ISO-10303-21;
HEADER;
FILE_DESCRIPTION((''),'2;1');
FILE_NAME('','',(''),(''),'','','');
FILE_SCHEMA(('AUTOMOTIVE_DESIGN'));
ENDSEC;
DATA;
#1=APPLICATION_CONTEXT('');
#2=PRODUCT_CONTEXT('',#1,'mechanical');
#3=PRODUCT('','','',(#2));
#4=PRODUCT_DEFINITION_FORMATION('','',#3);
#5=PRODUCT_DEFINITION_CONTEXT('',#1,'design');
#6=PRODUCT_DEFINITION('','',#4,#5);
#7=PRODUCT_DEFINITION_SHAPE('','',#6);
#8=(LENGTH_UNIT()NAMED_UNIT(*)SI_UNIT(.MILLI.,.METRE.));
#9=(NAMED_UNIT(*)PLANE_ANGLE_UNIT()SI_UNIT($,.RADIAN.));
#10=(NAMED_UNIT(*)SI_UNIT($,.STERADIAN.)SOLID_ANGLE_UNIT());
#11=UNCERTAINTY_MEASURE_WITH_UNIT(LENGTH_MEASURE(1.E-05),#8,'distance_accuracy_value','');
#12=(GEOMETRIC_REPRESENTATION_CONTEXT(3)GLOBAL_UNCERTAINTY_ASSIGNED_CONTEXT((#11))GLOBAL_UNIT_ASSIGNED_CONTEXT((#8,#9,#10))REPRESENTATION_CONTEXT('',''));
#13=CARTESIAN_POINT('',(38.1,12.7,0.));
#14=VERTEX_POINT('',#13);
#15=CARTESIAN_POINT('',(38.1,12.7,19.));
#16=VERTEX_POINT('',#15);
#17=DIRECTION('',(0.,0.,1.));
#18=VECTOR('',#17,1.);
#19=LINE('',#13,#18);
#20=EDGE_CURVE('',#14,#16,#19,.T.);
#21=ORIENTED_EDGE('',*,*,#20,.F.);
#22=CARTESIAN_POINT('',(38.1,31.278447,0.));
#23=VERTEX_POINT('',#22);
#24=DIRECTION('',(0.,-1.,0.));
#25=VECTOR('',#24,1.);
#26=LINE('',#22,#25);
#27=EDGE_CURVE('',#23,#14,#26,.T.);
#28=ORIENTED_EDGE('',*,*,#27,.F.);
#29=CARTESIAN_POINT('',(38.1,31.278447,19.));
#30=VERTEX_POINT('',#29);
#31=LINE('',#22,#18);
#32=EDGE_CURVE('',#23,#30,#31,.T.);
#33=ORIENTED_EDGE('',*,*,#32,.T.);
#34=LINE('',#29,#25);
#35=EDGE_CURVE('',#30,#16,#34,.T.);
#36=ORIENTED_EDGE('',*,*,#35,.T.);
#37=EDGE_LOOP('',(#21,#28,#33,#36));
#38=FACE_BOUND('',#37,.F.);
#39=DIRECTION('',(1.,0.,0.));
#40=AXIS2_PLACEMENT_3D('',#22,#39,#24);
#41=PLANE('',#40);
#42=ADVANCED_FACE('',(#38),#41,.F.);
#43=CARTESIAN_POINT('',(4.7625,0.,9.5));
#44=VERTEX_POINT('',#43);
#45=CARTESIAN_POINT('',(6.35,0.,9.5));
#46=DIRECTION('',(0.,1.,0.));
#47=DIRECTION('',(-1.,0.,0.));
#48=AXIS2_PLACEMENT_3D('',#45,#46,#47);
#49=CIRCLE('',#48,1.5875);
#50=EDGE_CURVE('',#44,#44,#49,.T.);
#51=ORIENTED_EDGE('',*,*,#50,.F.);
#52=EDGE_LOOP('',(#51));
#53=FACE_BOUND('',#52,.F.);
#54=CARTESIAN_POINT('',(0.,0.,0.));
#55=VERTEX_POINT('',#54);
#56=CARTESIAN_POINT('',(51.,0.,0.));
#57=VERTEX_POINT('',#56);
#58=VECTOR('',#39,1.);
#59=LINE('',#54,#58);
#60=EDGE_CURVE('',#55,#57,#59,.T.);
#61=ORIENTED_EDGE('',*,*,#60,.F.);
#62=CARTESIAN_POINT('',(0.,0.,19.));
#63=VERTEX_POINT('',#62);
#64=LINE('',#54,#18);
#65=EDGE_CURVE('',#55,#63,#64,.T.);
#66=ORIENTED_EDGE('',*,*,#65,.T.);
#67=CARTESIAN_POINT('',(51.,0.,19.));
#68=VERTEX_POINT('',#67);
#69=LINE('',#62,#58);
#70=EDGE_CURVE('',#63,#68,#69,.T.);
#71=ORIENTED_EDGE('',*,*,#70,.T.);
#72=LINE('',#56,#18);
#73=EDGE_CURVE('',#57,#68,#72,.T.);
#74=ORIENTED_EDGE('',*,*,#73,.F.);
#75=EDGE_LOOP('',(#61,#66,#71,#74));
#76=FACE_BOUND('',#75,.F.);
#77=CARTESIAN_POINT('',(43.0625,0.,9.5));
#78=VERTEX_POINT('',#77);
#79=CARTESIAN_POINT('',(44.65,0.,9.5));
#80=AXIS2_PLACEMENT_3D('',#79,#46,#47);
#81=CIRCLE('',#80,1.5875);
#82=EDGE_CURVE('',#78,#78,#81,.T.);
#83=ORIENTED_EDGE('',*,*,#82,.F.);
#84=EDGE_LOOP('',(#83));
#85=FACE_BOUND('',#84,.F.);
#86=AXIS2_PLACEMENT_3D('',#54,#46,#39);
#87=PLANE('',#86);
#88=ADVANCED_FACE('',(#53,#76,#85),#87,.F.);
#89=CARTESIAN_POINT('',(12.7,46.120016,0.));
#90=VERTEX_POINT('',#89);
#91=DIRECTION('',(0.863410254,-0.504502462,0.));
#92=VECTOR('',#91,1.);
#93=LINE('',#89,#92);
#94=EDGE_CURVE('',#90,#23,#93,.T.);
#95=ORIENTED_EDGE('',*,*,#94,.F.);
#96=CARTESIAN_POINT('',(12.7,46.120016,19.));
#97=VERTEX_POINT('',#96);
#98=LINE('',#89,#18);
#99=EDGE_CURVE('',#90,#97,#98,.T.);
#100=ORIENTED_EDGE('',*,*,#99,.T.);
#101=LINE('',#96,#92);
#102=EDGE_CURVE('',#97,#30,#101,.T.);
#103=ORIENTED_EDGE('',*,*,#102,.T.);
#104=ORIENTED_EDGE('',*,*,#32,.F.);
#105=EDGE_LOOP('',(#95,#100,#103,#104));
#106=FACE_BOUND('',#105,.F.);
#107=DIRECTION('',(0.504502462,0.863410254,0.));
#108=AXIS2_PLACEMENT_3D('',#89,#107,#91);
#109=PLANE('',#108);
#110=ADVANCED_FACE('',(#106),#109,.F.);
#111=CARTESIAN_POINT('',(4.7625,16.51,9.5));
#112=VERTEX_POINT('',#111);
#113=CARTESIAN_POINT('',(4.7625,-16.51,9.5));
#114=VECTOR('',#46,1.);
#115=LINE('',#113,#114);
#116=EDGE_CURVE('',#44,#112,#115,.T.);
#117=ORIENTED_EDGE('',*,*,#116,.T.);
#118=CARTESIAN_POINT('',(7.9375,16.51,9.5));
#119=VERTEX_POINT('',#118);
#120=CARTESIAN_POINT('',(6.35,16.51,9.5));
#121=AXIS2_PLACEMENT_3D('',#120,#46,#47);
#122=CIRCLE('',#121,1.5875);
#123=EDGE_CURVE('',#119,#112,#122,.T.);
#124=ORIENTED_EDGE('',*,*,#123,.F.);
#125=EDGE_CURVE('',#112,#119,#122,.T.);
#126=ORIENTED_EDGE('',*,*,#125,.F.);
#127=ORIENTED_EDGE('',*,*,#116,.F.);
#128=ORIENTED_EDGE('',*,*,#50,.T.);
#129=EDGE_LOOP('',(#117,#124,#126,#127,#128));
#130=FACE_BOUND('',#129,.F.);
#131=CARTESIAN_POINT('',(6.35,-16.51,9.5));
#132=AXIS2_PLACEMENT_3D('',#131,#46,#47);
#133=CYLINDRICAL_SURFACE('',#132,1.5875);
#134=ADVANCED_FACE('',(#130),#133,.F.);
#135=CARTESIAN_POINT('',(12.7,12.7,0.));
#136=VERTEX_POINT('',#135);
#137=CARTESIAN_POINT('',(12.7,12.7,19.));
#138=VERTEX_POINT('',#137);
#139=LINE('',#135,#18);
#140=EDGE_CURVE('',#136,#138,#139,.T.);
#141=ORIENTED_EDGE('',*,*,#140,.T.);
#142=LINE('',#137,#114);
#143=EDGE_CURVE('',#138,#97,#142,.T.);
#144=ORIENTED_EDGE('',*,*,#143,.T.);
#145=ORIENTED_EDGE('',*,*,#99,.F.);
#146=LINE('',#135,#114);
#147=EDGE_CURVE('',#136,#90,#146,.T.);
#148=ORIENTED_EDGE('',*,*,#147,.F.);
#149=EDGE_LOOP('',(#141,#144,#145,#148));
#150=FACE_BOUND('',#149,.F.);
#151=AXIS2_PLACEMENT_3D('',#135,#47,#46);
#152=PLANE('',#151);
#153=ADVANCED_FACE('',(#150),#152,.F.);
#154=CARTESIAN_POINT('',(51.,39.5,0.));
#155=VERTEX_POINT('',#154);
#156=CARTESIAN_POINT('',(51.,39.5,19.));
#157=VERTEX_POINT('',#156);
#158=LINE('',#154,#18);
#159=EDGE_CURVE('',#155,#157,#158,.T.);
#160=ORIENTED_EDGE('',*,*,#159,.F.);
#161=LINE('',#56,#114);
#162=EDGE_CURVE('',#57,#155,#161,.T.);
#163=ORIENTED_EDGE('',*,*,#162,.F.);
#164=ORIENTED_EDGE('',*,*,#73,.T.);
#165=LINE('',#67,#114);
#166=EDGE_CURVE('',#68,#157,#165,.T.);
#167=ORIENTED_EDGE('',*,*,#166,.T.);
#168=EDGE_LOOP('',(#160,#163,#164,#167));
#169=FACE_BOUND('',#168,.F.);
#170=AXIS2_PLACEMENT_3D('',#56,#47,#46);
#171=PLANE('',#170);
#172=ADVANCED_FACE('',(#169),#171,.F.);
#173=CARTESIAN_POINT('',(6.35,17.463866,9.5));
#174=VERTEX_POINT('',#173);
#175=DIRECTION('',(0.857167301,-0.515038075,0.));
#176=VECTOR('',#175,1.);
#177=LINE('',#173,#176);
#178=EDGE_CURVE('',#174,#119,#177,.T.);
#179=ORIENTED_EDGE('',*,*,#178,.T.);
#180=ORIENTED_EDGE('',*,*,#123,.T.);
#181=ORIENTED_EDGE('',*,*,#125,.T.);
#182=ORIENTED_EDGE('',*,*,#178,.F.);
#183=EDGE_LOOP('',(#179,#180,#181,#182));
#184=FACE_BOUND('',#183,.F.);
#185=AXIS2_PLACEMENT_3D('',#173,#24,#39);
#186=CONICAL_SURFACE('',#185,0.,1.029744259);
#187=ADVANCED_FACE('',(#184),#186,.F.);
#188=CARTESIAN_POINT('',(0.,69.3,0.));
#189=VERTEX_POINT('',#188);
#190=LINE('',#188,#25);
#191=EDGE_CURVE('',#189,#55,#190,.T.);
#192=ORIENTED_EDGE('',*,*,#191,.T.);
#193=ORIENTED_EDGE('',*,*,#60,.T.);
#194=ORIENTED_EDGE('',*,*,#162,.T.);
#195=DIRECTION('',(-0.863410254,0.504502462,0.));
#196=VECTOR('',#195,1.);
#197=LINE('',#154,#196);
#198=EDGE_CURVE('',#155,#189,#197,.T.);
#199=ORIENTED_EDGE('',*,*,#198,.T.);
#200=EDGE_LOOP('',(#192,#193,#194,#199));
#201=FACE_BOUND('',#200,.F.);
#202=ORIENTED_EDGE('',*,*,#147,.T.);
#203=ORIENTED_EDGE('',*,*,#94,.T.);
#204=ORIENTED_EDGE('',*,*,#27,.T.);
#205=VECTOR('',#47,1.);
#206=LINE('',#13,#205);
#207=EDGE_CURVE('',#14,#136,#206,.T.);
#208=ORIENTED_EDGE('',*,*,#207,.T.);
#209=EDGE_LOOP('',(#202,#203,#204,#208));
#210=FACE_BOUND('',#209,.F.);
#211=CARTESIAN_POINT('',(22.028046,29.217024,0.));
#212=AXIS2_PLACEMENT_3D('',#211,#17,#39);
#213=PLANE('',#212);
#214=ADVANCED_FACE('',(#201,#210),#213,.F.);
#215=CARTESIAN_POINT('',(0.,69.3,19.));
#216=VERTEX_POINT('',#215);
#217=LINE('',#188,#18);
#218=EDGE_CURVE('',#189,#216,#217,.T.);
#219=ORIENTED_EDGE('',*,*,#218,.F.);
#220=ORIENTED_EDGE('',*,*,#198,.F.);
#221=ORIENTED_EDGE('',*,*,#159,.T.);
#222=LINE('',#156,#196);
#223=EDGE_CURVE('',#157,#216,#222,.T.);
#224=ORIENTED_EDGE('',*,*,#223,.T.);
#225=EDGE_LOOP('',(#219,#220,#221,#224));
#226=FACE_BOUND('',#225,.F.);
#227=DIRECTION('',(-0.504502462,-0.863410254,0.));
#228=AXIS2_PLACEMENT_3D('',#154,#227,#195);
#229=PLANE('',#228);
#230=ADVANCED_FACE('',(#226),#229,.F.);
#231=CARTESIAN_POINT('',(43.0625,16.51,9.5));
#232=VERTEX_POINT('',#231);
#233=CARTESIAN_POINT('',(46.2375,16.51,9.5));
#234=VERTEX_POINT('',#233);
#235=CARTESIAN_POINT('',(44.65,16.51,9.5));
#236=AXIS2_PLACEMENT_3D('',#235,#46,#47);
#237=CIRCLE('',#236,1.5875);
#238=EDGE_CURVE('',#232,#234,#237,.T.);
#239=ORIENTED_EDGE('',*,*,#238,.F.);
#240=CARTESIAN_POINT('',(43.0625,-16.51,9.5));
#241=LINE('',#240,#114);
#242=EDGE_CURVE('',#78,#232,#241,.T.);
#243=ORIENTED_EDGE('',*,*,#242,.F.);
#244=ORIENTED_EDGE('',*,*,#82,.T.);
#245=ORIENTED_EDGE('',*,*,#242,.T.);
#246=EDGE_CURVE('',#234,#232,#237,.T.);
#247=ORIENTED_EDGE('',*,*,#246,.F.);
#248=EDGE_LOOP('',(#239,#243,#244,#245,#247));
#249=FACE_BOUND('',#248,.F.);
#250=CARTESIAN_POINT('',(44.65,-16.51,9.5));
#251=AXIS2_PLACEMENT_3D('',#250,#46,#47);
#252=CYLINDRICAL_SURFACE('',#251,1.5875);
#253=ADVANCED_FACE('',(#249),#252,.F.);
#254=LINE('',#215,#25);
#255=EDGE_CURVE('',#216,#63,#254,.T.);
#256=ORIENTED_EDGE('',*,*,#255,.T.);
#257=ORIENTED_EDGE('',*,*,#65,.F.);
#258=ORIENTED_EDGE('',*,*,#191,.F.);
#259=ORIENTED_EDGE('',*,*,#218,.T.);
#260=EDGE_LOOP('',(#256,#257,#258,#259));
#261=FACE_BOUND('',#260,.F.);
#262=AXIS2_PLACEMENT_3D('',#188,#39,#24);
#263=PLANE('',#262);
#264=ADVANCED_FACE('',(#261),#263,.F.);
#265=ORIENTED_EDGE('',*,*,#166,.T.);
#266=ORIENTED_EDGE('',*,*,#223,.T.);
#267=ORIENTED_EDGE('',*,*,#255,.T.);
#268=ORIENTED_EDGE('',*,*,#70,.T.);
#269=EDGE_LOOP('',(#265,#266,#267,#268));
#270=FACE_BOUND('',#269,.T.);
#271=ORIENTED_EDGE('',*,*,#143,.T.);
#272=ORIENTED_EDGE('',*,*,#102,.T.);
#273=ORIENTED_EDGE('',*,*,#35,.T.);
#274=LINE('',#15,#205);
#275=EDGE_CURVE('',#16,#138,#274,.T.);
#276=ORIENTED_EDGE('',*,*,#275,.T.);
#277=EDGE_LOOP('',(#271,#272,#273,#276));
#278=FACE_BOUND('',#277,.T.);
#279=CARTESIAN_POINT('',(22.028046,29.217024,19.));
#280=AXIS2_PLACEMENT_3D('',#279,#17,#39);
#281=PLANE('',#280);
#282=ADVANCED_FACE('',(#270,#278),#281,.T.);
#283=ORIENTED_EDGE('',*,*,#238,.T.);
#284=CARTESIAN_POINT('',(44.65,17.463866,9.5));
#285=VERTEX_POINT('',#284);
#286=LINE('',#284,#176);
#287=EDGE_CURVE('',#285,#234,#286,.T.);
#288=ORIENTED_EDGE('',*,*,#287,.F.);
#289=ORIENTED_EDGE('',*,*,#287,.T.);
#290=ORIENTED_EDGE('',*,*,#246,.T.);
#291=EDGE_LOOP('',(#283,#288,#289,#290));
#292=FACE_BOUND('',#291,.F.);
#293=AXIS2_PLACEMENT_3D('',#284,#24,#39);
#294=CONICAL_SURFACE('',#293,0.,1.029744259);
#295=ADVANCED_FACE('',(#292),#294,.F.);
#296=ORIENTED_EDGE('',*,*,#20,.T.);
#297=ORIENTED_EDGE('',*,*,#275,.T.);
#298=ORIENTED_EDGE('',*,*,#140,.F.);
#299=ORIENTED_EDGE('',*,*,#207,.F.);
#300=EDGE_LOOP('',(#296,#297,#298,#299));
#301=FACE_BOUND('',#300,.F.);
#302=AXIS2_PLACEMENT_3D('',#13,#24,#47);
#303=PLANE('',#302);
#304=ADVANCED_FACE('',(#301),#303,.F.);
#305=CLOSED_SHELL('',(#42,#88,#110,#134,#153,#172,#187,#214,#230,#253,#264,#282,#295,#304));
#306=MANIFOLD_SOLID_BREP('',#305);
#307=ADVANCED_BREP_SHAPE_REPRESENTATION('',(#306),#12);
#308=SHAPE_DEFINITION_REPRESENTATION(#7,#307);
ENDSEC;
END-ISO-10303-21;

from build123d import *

# Parameters (mm, degrees)
F1_DEPTH = 19
F2_R     = 1.0795
F3_DEPTH = 19.05
F5_D     = 3.175
F5_DEPTH = 16.51
F5_TIP   = 0.9538662327


with BuildPart() as f1:
    # F0 (on Top) → F1 (new body)
    with BuildSketch(Plane.XY):
        Polygon((0, 69.3), (0, 0), (51, 0), (51, 39.5), align=None)
        Polygon((38.1, 12.7), (12.7, 12.7), (12.7, 46.1200160448), (38.1, 31.2784474173), align=None, mode=Mode.SUBTRACT)
    extrude(amount=F1_DEPTH)

    # F2 (on face) → F3 (join)
    with BuildSketch(Plane.XZ):
        with Locations((6.35, 9.5)):
            Circle(F2_R)
        with Locations((44.65, 9.5)):
            Circle(F2_R)
    extrude(amount=-F3_DEPTH)

    # F5
    with Locations(Plane.XZ):
        with Locations((6.35, 9.5), (44.65, 9.5)):
            Hole(F5_D / 2, depth=F5_DEPTH)
            with Locations((0, 0, -(F5_DEPTH + F5_TIP / 2))):  # 118° drill point
                Cone(0, F5_D / 2, F5_TIP, mode=Mode.SUBTRACT)


solid = f1.part
